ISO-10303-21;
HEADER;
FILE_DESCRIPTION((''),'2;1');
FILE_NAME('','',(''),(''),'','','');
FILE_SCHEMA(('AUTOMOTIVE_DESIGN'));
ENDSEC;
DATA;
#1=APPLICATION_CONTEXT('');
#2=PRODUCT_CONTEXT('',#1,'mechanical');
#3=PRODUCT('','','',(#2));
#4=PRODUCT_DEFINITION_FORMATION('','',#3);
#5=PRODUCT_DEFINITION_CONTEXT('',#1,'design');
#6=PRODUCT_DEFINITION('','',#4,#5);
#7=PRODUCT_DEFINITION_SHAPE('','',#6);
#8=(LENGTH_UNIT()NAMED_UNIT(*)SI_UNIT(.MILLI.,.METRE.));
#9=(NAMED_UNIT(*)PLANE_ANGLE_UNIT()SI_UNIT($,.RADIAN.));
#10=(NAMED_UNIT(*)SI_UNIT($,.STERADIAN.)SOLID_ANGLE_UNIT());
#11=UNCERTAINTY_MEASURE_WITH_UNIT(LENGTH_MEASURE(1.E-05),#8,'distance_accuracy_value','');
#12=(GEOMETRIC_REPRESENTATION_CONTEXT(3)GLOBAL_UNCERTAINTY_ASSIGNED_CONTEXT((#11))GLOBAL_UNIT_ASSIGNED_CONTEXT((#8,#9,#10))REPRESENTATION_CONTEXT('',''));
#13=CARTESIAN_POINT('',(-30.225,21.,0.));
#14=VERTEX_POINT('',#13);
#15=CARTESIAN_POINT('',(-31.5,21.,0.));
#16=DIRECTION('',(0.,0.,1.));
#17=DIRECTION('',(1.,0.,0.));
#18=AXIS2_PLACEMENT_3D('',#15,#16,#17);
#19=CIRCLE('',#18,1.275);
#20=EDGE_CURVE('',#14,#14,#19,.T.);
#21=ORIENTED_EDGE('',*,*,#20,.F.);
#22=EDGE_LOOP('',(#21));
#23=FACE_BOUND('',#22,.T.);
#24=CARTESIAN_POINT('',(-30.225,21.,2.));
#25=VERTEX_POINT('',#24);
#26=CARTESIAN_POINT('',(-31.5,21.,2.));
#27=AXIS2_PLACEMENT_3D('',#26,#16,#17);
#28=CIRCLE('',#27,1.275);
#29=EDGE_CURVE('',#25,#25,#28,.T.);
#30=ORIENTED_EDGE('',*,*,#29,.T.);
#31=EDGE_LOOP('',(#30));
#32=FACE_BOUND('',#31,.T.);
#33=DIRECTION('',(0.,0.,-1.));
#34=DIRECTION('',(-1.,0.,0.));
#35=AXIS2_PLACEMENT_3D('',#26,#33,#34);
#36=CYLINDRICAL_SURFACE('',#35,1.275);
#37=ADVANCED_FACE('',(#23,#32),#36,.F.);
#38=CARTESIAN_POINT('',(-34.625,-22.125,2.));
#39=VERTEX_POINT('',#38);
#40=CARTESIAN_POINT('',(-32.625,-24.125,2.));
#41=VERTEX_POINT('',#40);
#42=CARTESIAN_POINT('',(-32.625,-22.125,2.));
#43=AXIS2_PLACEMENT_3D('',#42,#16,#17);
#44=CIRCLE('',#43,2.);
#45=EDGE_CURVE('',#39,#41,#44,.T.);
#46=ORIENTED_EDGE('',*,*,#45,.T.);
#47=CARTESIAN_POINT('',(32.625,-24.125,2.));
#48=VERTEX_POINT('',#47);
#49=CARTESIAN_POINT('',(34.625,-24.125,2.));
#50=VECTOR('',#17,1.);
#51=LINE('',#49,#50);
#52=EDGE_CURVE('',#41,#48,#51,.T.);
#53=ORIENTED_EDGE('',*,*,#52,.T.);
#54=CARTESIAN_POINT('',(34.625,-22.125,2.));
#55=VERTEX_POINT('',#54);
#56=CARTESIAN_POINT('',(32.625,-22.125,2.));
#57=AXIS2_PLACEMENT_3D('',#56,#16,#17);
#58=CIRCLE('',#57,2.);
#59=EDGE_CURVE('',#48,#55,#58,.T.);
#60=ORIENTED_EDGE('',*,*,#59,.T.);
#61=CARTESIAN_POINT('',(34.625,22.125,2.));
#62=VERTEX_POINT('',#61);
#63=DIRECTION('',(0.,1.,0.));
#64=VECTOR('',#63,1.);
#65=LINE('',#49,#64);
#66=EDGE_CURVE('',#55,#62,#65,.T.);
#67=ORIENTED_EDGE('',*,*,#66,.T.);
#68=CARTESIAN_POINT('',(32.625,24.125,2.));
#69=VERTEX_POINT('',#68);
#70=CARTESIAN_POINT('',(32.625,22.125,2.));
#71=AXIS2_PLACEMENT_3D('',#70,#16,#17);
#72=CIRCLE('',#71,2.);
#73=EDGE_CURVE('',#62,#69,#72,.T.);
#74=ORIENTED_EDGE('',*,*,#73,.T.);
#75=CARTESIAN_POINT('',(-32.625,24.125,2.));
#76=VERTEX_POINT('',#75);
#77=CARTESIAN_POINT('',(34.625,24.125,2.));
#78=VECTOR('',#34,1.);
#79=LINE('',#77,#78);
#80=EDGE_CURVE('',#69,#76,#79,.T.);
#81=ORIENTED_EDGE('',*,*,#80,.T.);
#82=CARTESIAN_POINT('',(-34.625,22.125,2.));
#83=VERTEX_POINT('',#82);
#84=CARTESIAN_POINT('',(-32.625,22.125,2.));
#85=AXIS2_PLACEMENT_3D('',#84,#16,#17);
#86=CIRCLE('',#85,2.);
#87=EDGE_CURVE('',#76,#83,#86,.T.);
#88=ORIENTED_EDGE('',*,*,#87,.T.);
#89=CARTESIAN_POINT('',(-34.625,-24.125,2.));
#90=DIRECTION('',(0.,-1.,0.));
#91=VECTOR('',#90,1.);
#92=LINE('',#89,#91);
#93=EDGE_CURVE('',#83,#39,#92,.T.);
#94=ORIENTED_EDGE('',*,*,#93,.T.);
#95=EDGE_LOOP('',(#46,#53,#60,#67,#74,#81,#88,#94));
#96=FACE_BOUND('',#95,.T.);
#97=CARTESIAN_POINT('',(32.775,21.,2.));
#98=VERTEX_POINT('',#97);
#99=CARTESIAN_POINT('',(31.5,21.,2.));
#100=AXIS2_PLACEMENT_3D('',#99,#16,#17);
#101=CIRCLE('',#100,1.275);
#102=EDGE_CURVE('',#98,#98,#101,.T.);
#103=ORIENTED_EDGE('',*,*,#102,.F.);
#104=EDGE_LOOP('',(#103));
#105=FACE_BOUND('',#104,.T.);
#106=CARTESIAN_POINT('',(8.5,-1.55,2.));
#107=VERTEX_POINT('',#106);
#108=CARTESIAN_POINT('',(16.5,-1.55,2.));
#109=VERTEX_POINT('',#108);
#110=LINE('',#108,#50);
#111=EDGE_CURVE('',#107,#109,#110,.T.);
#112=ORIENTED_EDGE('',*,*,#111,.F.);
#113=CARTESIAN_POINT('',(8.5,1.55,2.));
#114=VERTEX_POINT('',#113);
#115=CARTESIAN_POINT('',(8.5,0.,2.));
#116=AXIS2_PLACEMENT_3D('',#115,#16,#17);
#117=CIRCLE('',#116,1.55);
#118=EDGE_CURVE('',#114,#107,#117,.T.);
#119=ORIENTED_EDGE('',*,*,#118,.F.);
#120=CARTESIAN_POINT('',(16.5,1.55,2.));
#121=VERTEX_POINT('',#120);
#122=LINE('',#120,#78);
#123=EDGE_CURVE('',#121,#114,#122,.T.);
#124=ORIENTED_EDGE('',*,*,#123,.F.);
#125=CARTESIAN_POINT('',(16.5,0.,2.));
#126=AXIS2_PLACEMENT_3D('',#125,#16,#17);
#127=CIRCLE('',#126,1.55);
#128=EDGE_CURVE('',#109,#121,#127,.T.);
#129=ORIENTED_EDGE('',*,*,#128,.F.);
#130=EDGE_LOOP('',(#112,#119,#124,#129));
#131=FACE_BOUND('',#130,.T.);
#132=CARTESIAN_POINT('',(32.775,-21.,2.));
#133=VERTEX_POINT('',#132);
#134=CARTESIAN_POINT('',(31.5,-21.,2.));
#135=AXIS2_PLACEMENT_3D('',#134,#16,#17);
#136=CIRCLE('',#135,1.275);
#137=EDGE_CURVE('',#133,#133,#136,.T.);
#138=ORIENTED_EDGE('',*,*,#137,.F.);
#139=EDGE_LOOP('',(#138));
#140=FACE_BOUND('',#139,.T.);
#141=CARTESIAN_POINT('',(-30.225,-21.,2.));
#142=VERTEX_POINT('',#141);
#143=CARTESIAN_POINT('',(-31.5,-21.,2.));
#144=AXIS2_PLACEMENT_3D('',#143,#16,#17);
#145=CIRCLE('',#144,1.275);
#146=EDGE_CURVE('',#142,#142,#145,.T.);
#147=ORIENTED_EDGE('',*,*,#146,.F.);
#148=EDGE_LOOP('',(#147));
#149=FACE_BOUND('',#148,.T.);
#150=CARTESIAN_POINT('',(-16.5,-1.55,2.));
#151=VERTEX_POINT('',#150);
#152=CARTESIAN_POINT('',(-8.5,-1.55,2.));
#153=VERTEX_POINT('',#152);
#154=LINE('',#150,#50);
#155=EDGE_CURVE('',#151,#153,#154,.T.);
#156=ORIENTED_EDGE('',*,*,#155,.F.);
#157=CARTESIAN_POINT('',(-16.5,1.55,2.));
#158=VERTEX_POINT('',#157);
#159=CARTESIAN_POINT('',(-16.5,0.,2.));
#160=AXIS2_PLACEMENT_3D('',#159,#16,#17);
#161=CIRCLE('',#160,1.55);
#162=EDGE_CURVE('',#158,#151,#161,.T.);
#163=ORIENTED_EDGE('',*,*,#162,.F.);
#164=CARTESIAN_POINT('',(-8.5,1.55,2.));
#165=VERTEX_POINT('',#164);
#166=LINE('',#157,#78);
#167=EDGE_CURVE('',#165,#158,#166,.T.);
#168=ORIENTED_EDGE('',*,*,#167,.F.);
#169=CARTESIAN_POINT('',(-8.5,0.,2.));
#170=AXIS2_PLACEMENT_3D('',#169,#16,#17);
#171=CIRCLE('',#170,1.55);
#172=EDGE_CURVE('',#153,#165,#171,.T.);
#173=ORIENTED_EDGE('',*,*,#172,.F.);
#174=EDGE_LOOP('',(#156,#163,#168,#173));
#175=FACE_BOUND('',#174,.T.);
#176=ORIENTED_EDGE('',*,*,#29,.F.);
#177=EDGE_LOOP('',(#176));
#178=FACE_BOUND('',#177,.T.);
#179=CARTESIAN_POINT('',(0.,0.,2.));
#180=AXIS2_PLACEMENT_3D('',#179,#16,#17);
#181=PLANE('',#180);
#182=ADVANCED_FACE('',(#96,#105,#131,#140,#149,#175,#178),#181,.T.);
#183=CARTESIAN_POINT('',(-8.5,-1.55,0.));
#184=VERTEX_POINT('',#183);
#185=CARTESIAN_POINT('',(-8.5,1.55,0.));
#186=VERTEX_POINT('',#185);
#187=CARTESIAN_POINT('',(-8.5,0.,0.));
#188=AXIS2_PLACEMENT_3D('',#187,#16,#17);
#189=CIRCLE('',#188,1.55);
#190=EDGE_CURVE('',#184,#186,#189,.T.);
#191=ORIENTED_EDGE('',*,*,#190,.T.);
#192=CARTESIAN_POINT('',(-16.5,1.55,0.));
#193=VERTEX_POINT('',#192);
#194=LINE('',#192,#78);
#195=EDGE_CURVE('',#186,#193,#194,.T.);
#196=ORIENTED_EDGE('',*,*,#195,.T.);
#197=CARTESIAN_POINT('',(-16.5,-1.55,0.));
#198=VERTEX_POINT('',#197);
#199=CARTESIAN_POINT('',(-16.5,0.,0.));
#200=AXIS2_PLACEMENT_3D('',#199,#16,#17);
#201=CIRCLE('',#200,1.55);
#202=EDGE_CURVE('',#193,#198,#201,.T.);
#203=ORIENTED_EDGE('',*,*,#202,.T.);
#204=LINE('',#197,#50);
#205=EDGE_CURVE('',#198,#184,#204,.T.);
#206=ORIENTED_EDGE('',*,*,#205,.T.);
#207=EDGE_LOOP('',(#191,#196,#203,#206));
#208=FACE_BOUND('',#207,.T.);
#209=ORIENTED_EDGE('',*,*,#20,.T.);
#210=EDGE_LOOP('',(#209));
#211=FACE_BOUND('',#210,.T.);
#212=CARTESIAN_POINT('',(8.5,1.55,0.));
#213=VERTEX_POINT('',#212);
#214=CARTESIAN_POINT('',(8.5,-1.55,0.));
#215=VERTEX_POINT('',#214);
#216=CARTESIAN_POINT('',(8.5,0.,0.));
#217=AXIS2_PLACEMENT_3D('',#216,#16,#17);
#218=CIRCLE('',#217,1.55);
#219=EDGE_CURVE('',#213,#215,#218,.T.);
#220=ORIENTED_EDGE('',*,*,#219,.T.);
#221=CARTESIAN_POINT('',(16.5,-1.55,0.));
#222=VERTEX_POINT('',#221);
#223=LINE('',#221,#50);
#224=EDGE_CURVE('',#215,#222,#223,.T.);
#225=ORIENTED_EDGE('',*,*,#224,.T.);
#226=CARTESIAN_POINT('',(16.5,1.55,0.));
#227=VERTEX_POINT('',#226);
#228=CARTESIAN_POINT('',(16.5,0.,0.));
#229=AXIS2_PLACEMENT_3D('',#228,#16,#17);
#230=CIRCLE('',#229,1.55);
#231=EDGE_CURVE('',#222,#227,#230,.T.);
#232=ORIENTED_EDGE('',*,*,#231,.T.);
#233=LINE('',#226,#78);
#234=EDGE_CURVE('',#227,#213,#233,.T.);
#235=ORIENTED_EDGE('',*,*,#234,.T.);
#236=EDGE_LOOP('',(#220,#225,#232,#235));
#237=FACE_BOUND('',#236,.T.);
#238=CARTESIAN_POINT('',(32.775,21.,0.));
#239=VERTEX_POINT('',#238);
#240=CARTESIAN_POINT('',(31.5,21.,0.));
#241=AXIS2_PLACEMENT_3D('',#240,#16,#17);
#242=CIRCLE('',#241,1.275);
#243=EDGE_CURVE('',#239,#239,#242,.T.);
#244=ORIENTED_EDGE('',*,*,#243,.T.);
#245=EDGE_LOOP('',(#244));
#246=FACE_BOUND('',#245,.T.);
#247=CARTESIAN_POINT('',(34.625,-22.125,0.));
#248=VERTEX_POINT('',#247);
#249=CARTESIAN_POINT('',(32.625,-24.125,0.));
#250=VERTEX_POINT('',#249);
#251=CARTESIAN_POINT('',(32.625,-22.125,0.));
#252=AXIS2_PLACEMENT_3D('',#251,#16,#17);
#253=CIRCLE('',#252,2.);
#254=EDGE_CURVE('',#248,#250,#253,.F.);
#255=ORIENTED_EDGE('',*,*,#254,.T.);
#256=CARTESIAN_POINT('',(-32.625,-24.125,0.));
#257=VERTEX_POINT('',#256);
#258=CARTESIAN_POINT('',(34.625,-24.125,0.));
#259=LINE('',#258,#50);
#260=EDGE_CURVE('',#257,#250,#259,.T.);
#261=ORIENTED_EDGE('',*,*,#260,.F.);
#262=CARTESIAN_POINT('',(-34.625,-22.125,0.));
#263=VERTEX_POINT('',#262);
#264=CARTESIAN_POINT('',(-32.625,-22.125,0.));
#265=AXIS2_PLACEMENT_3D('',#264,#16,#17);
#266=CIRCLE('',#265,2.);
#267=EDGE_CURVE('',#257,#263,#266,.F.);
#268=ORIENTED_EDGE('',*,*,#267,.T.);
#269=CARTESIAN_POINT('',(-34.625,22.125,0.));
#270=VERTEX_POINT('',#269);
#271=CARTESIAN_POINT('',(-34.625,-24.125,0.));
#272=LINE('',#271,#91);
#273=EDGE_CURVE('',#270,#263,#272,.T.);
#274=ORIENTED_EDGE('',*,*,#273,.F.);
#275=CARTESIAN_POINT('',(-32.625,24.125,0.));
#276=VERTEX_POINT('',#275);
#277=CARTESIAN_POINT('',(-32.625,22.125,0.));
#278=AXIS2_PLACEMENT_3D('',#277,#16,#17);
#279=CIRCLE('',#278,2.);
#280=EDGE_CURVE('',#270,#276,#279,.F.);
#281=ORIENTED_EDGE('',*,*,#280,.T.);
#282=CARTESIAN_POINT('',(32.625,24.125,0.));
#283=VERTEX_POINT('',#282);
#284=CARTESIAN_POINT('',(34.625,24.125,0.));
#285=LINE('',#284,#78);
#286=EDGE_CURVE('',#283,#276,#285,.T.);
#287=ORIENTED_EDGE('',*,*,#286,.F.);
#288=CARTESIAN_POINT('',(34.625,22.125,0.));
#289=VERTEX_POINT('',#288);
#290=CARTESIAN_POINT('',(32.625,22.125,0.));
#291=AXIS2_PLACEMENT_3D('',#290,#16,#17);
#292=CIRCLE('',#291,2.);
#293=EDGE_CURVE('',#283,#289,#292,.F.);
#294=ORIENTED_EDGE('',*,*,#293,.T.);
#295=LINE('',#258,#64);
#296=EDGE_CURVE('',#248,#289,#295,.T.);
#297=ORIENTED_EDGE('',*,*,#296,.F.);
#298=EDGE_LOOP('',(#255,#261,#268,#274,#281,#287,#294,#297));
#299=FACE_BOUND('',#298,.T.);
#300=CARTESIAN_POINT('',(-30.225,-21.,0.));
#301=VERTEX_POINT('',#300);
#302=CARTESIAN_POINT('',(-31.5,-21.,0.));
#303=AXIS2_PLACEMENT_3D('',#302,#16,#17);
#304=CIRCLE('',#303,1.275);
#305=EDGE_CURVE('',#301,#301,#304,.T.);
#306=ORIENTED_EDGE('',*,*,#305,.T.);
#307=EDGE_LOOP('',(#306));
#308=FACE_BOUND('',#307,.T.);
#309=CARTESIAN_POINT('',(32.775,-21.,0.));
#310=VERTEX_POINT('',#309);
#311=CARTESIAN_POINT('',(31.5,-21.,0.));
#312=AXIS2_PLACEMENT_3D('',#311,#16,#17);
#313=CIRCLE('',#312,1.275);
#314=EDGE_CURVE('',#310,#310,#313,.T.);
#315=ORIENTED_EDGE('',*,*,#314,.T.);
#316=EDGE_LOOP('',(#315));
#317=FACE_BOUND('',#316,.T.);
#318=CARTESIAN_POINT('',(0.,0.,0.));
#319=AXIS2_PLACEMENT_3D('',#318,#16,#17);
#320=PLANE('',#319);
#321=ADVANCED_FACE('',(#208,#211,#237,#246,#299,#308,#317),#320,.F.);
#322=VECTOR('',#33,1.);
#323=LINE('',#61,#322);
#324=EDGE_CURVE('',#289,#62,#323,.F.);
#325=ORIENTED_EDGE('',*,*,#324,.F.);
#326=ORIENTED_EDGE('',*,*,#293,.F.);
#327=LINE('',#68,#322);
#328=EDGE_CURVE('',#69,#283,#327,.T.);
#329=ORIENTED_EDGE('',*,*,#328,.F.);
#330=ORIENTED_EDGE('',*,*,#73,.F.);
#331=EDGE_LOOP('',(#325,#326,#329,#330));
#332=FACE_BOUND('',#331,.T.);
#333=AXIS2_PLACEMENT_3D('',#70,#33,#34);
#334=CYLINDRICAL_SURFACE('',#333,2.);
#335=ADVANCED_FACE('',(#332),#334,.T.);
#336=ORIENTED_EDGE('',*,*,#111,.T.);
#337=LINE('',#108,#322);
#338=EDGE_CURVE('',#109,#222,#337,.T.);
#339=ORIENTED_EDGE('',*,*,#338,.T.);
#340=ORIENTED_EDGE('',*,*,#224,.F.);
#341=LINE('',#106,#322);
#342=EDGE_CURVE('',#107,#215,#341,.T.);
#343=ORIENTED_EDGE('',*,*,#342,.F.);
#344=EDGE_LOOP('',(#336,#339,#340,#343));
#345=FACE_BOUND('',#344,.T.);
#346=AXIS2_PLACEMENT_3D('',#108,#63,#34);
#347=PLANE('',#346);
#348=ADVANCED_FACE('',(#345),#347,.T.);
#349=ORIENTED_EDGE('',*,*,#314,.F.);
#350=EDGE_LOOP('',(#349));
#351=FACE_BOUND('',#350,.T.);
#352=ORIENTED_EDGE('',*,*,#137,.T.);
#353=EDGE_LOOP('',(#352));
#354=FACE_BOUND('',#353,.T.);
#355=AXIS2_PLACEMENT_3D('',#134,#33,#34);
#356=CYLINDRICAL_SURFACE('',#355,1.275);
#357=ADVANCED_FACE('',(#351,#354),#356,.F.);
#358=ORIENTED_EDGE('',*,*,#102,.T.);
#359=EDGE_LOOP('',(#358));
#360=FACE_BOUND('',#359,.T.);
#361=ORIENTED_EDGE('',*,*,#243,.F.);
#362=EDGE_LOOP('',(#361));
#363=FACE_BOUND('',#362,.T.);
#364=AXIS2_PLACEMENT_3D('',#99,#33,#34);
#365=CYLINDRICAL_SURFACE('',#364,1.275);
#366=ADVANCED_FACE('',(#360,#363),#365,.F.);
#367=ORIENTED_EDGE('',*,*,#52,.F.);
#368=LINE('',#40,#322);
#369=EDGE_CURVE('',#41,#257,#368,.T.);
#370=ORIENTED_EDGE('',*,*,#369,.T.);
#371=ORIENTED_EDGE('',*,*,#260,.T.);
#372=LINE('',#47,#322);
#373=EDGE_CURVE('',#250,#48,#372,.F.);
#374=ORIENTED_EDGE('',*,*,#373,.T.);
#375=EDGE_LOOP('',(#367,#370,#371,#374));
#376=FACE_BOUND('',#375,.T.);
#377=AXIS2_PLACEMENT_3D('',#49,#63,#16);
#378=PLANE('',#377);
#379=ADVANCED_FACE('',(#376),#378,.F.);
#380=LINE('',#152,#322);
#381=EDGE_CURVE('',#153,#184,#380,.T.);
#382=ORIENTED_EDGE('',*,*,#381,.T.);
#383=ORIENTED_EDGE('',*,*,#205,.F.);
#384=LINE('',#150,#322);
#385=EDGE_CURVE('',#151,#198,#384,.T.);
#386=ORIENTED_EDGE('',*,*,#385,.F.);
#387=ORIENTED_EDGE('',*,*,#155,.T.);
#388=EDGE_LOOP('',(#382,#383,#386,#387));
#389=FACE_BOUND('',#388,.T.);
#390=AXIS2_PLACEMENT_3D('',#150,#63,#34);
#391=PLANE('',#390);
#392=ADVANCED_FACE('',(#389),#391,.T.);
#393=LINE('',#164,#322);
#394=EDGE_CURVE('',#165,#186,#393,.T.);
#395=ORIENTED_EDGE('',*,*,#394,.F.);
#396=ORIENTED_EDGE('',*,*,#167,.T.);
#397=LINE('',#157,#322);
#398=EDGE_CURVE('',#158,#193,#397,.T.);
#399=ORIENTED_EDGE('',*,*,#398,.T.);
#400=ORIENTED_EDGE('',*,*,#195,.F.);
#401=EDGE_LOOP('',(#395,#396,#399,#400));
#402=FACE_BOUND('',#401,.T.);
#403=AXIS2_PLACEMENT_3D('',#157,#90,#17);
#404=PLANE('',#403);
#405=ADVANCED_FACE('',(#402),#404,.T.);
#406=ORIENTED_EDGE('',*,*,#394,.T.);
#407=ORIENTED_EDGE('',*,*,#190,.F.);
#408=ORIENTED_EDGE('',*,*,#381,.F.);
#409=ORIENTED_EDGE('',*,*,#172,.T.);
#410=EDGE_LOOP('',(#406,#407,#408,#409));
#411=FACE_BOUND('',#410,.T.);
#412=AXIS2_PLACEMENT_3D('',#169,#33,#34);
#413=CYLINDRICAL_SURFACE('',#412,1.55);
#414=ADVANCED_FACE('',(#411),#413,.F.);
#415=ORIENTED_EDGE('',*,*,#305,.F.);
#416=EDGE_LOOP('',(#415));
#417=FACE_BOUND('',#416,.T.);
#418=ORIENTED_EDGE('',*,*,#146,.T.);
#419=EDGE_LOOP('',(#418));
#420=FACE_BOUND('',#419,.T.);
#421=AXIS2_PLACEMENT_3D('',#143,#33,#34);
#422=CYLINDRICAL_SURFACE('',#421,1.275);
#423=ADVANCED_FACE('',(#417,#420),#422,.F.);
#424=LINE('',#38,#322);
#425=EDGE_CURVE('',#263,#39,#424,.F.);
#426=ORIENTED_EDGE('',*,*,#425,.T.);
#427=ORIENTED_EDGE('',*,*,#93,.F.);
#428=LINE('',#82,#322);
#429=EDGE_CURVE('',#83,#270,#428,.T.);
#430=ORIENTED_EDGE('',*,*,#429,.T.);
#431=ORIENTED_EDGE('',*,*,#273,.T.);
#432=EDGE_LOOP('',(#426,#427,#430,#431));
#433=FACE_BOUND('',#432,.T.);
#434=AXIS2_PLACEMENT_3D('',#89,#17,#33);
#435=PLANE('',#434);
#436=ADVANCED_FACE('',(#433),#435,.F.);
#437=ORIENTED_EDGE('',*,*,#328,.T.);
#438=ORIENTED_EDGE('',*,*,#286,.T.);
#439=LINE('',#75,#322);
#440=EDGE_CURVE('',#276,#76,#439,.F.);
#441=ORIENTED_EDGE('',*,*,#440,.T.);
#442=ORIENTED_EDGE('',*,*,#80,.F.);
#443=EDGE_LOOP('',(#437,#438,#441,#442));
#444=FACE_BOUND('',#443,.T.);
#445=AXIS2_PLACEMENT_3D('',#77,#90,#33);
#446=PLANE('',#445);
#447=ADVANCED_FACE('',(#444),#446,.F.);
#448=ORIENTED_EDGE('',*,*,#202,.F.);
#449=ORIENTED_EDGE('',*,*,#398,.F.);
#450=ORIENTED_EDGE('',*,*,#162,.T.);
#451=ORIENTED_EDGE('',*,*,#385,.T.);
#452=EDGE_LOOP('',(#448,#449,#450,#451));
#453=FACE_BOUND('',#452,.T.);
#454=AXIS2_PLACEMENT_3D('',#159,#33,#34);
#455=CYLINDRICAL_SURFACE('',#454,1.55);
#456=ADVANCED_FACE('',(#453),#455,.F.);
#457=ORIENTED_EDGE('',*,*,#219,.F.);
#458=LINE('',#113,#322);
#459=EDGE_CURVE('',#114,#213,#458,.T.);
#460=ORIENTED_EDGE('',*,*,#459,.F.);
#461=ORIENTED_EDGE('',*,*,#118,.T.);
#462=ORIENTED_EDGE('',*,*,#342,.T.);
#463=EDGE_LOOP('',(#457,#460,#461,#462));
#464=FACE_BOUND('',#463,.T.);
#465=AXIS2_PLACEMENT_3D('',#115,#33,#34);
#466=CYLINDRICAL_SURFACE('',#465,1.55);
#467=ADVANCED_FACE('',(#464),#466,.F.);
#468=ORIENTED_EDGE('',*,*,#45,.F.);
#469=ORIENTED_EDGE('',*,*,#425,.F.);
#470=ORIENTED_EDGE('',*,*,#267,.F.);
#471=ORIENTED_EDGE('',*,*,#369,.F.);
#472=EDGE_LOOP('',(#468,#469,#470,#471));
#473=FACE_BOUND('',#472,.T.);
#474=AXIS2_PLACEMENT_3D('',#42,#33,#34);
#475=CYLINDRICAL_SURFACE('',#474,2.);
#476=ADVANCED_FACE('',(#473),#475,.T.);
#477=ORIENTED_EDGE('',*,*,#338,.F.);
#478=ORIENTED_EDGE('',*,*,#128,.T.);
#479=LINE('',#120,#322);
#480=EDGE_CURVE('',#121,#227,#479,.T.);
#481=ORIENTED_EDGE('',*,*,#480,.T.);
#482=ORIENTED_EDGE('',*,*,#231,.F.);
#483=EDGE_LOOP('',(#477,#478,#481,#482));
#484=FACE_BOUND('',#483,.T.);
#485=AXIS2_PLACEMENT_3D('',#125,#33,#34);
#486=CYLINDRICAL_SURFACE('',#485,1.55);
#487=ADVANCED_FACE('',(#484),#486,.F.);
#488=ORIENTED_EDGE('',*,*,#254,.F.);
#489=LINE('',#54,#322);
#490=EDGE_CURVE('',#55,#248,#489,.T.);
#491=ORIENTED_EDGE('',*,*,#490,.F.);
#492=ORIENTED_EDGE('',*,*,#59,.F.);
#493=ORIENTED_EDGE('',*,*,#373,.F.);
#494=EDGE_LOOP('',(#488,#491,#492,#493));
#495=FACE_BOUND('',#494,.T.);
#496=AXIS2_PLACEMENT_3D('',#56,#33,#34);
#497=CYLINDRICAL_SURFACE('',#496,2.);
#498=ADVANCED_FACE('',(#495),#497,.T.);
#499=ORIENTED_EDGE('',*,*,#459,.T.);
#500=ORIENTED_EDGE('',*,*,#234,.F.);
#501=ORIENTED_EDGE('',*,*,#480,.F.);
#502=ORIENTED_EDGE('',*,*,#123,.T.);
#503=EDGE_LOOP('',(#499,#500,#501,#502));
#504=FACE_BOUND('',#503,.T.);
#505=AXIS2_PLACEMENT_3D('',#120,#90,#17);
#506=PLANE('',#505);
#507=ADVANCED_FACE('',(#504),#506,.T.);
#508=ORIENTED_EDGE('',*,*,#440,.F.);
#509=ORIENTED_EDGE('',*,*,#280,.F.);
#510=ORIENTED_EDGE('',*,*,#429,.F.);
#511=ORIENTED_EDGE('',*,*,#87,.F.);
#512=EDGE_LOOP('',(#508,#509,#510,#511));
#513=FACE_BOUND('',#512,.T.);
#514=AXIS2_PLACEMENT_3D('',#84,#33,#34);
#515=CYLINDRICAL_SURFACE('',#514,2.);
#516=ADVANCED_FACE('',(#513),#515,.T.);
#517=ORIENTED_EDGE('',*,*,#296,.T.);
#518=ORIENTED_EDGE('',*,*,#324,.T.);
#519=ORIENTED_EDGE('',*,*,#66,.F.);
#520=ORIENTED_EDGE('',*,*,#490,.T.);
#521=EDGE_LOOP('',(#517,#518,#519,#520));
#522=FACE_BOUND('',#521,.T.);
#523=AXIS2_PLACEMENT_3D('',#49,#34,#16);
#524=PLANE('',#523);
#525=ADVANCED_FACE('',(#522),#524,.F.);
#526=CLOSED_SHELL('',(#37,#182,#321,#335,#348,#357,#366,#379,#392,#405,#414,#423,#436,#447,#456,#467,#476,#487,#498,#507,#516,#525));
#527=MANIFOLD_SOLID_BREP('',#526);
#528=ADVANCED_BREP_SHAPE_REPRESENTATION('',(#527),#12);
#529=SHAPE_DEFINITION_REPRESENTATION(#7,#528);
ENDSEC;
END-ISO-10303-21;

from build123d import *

# Parameters (mm, degrees)
SKETCH_1_W      = 69.25
SKETCH_1_H      = 48.25
SKETCH_1_R      = 1.275
EXTRUDE_1_DEPTH = 2
FILLET_1_R      = 2


with BuildPart() as part:
    # 草图1 → 凸台-拉伸1 (new body)
    with BuildSketch(Plane.XY):
        Rectangle(SKETCH_1_W, SKETCH_1_H)
        with Locations((-31.5, 21)):
            Circle(SKETCH_1_R, mode=Mode.SUBTRACT)
        with Locations((31.5, 21)):
            Circle(SKETCH_1_R, mode=Mode.SUBTRACT)
        with Locations((-31.5, -21)):
            Circle(SKETCH_1_R, mode=Mode.SUBTRACT)
        with Locations((31.5, -21)):
            Circle(SKETCH_1_R, mode=Mode.SUBTRACT)
        with BuildLine():
            Line((-16.5, 1.55), (-8.5, 1.55))
            ThreePointArc((-8.5, 1.55), (-6.95, 0), (-8.5, -1.55))
            Line((-8.5, -1.55), (-16.5, -1.55))
            ThreePointArc((-16.5, -1.55), (-18.05, 0), (-16.5, 1.55))
        make_face(mode=Mode.SUBTRACT)
        with BuildLine():
            Line((16.5, -1.55), (8.5, -1.55))
            ThreePointArc((8.5, -1.55), (6.95, 0), (8.5, 1.55))
            Line((8.5, 1.55), (16.5, 1.55))
            ThreePointArc((16.5, 1.55), (18.05, 0), (16.5, -1.55))
        make_face(mode=Mode.SUBTRACT)
    extrude(amount=EXTRUDE_1_DEPTH)

    # 圆角1
    fillet_1_edges = [part.edges().sort_by_distance(p)[0] for p in [
        (-34.625, 24.125, 1),
        (34.625, 24.125, 1),
        (34.625, -24.125, 1),
        (-34.625, -24.125, 1),
    ]]
    fillet(fillet_1_edges, radius=FILLET_1_R)


solid = part.part
